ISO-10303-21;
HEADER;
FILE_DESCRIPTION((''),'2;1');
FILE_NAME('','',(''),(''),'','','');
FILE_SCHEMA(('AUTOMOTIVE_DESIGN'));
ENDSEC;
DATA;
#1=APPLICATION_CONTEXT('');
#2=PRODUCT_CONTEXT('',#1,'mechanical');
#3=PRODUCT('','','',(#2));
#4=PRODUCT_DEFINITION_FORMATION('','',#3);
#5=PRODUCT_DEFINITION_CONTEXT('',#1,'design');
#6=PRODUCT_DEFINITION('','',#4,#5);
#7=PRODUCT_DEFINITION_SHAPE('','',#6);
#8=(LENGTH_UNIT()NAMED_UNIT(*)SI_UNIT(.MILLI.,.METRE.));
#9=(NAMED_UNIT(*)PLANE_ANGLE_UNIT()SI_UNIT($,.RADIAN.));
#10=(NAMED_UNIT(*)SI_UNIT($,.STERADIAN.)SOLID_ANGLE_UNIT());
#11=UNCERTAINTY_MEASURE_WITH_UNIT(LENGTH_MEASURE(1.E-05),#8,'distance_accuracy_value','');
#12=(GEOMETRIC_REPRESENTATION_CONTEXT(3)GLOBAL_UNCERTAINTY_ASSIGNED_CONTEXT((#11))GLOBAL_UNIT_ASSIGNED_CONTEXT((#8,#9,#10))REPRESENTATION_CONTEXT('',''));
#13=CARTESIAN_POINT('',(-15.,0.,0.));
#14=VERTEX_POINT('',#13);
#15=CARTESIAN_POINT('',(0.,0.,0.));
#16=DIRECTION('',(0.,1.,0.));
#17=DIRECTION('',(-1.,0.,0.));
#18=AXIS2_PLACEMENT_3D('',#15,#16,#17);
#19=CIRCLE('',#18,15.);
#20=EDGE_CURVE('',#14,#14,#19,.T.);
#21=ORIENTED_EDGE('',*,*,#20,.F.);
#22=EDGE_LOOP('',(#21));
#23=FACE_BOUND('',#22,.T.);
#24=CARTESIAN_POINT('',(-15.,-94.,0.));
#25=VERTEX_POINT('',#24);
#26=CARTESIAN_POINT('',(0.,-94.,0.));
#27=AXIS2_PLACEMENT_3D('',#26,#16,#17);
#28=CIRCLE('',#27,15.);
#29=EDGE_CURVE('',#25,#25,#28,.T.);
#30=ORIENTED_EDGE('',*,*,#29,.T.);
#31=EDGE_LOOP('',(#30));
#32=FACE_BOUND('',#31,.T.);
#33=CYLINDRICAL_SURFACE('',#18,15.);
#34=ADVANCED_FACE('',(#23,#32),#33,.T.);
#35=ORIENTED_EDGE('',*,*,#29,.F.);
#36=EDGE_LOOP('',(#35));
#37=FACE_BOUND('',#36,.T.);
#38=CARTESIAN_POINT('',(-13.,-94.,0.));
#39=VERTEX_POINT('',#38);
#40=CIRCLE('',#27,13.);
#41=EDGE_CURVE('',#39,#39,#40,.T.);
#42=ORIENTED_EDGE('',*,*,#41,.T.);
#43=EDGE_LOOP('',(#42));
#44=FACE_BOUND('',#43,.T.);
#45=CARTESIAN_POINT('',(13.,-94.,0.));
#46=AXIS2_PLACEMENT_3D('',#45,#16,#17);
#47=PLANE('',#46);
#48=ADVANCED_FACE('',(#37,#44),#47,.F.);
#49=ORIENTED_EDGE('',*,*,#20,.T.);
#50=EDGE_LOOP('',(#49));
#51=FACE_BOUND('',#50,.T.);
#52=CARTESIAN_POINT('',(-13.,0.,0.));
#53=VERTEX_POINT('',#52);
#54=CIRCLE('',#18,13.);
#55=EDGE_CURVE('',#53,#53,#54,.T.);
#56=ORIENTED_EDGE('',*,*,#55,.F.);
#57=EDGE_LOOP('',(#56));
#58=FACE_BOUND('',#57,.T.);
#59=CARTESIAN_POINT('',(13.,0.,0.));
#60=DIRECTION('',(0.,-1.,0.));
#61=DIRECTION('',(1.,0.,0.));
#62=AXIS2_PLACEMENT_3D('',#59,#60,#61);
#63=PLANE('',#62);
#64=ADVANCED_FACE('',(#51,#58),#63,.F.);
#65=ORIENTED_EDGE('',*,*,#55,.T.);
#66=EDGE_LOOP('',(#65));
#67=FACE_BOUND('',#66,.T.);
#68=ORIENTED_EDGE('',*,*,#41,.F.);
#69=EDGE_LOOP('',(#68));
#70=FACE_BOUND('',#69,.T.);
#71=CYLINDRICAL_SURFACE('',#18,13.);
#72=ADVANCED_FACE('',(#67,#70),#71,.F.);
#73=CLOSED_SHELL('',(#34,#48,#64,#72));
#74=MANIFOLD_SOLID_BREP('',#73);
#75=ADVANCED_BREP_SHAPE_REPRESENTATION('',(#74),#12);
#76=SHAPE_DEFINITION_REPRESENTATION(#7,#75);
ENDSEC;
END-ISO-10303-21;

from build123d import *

# Parameters (mm, degrees)
SKETCH2_W = 2
SKETCH2_H = 94


with BuildPart() as part:
    # Sketch2 → Revolve2 (revolve)
    with BuildSketch(Plane.XY):
        with Locations((14, -47)):
            Rectangle(SKETCH2_W, SKETCH2_H)
    revolve(axis=Axis((0, 0, 0), (0, -1, 0)))


solid = part.part
